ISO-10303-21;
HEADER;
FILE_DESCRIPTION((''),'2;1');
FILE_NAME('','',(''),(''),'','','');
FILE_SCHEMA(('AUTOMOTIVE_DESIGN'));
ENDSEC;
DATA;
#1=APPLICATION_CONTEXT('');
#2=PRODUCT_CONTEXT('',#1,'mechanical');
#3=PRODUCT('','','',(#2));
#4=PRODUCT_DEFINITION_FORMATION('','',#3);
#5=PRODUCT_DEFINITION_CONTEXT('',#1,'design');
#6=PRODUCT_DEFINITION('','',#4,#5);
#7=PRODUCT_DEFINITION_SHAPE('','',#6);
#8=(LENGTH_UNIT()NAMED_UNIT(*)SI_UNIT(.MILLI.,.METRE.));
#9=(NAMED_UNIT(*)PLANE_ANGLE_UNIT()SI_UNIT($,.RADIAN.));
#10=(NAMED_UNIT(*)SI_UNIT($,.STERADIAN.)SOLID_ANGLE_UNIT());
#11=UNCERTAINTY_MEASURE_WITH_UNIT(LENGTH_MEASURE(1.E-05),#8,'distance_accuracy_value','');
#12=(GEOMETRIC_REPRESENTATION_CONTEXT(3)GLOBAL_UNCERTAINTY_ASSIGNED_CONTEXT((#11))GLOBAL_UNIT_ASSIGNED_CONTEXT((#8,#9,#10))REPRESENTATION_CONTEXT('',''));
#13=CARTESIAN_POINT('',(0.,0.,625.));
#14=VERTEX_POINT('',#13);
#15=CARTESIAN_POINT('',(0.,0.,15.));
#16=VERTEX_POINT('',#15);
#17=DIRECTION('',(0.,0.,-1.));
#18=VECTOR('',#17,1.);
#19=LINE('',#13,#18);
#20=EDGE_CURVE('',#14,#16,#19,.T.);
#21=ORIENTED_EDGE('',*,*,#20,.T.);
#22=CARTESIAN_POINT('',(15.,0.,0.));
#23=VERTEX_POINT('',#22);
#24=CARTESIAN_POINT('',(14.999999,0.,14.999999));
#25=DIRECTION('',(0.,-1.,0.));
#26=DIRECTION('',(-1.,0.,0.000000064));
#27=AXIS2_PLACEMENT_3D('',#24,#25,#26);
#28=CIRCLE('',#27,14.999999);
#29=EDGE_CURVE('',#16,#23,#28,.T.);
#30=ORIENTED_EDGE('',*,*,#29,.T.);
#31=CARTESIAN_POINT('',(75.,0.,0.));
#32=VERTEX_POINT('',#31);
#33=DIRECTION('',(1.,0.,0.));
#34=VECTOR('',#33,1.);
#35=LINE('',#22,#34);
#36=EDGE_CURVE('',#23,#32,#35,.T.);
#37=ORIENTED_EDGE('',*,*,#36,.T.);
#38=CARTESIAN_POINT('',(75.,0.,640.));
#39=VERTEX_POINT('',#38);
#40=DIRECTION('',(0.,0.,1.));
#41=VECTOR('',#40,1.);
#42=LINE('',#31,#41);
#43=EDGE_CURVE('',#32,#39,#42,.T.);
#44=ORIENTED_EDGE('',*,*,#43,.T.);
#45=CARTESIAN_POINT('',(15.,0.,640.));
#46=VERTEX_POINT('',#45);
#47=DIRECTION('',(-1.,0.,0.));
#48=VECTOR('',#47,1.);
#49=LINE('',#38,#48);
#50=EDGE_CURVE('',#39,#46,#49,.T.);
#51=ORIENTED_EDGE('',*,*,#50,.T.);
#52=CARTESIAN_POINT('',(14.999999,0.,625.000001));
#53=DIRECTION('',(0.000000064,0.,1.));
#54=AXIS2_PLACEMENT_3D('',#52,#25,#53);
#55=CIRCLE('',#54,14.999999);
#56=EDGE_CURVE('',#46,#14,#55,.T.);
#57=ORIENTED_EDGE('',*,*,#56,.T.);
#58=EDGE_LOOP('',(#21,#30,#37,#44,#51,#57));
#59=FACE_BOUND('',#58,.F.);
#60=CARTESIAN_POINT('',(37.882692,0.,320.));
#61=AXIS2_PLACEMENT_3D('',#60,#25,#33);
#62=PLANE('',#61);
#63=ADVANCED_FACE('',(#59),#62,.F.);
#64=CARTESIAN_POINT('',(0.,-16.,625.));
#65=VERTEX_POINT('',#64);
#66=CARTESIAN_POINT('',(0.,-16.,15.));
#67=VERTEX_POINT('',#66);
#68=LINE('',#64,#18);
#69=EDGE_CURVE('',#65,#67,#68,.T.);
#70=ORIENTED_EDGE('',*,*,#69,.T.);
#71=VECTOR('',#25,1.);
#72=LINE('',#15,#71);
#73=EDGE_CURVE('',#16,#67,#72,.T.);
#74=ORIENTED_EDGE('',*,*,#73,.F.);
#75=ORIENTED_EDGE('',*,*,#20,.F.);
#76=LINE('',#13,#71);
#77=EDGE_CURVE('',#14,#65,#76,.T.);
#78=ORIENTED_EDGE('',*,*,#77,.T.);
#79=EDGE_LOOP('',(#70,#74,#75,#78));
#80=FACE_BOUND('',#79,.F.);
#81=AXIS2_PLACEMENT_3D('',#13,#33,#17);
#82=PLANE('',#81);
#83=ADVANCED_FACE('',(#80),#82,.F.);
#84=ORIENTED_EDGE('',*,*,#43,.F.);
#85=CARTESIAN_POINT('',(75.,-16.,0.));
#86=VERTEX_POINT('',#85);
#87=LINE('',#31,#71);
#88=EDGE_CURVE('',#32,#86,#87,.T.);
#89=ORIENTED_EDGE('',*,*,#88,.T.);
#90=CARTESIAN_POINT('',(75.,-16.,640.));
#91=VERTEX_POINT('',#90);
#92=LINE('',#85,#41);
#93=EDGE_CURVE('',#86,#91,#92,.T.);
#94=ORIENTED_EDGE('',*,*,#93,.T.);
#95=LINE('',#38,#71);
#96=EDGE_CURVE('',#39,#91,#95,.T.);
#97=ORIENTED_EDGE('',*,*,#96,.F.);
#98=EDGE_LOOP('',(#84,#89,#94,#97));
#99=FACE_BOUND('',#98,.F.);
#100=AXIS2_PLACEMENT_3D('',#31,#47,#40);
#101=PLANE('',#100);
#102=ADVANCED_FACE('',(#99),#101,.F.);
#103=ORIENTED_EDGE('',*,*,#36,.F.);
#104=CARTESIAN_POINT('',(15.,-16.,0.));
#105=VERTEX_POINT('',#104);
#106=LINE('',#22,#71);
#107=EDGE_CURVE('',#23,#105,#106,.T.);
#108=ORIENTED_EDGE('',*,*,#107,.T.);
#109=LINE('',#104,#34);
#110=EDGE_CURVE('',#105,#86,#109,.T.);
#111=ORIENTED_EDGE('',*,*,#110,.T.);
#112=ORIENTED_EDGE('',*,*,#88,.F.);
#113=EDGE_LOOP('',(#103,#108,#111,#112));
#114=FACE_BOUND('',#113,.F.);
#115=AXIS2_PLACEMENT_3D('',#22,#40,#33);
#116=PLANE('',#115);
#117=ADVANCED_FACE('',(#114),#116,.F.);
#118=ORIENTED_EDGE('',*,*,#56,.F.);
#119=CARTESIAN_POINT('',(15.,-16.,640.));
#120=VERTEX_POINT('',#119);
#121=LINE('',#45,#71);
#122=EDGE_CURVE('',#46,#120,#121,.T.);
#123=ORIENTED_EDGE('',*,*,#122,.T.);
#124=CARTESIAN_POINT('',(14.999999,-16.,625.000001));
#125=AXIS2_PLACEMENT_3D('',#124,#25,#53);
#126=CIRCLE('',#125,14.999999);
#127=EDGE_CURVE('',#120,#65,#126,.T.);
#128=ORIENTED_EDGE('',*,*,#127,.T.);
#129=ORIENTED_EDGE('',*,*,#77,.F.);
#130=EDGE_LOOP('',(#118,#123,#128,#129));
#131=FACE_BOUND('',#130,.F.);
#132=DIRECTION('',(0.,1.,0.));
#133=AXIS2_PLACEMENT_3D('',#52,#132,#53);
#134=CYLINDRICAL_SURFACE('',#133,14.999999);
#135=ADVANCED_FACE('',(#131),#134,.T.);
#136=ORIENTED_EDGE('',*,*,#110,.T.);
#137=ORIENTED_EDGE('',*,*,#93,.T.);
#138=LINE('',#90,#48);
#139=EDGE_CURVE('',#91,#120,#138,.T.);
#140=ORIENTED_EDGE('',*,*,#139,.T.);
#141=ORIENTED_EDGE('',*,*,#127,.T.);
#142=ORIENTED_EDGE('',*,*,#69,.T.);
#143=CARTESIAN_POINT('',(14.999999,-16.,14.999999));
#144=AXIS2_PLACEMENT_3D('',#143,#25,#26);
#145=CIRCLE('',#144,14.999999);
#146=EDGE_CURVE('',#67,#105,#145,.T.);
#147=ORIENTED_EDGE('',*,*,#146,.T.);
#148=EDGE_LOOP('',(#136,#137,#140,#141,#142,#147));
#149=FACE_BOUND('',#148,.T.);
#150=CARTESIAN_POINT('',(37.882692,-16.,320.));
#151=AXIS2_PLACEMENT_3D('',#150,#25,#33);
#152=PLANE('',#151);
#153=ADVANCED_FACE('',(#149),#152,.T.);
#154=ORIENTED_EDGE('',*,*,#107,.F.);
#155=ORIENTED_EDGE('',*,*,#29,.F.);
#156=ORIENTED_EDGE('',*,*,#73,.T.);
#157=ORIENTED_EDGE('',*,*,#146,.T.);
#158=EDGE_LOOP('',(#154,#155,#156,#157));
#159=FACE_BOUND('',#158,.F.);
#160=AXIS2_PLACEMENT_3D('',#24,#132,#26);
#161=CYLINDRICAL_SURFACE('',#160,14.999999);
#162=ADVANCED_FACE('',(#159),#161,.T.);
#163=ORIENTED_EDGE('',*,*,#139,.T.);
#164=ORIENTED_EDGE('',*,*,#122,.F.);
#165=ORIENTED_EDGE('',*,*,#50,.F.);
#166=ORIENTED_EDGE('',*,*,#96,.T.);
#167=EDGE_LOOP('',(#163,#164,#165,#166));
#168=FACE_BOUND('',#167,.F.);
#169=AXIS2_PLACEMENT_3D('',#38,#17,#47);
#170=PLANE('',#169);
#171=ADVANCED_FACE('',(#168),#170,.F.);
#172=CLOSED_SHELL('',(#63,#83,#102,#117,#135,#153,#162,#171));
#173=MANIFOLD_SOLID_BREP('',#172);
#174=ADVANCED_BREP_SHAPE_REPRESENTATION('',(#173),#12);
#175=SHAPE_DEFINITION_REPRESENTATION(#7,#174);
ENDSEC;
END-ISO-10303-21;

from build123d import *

# Parameters (mm, degrees)
F1_DEPTH = 16


with BuildPart() as f1:
    # F0 (on Front) → F1 (new body)
    with BuildSketch(Plane.XZ):
        with BuildLine():
            Line((75, 640), (15, 640))
            ThreePointArc((15, 640), (4.393398, 635.606602), (0, 625))
            Line((0, 625), (0, 15))
            ThreePointArc((0, 15), (4.393398, 4.393398), (15, 0))
            Line((15, 0), (75, 0))
            Line((75, 0), (75, 640))
        make_face()
    extrude(amount=F1_DEPTH)


solid = f1.part
